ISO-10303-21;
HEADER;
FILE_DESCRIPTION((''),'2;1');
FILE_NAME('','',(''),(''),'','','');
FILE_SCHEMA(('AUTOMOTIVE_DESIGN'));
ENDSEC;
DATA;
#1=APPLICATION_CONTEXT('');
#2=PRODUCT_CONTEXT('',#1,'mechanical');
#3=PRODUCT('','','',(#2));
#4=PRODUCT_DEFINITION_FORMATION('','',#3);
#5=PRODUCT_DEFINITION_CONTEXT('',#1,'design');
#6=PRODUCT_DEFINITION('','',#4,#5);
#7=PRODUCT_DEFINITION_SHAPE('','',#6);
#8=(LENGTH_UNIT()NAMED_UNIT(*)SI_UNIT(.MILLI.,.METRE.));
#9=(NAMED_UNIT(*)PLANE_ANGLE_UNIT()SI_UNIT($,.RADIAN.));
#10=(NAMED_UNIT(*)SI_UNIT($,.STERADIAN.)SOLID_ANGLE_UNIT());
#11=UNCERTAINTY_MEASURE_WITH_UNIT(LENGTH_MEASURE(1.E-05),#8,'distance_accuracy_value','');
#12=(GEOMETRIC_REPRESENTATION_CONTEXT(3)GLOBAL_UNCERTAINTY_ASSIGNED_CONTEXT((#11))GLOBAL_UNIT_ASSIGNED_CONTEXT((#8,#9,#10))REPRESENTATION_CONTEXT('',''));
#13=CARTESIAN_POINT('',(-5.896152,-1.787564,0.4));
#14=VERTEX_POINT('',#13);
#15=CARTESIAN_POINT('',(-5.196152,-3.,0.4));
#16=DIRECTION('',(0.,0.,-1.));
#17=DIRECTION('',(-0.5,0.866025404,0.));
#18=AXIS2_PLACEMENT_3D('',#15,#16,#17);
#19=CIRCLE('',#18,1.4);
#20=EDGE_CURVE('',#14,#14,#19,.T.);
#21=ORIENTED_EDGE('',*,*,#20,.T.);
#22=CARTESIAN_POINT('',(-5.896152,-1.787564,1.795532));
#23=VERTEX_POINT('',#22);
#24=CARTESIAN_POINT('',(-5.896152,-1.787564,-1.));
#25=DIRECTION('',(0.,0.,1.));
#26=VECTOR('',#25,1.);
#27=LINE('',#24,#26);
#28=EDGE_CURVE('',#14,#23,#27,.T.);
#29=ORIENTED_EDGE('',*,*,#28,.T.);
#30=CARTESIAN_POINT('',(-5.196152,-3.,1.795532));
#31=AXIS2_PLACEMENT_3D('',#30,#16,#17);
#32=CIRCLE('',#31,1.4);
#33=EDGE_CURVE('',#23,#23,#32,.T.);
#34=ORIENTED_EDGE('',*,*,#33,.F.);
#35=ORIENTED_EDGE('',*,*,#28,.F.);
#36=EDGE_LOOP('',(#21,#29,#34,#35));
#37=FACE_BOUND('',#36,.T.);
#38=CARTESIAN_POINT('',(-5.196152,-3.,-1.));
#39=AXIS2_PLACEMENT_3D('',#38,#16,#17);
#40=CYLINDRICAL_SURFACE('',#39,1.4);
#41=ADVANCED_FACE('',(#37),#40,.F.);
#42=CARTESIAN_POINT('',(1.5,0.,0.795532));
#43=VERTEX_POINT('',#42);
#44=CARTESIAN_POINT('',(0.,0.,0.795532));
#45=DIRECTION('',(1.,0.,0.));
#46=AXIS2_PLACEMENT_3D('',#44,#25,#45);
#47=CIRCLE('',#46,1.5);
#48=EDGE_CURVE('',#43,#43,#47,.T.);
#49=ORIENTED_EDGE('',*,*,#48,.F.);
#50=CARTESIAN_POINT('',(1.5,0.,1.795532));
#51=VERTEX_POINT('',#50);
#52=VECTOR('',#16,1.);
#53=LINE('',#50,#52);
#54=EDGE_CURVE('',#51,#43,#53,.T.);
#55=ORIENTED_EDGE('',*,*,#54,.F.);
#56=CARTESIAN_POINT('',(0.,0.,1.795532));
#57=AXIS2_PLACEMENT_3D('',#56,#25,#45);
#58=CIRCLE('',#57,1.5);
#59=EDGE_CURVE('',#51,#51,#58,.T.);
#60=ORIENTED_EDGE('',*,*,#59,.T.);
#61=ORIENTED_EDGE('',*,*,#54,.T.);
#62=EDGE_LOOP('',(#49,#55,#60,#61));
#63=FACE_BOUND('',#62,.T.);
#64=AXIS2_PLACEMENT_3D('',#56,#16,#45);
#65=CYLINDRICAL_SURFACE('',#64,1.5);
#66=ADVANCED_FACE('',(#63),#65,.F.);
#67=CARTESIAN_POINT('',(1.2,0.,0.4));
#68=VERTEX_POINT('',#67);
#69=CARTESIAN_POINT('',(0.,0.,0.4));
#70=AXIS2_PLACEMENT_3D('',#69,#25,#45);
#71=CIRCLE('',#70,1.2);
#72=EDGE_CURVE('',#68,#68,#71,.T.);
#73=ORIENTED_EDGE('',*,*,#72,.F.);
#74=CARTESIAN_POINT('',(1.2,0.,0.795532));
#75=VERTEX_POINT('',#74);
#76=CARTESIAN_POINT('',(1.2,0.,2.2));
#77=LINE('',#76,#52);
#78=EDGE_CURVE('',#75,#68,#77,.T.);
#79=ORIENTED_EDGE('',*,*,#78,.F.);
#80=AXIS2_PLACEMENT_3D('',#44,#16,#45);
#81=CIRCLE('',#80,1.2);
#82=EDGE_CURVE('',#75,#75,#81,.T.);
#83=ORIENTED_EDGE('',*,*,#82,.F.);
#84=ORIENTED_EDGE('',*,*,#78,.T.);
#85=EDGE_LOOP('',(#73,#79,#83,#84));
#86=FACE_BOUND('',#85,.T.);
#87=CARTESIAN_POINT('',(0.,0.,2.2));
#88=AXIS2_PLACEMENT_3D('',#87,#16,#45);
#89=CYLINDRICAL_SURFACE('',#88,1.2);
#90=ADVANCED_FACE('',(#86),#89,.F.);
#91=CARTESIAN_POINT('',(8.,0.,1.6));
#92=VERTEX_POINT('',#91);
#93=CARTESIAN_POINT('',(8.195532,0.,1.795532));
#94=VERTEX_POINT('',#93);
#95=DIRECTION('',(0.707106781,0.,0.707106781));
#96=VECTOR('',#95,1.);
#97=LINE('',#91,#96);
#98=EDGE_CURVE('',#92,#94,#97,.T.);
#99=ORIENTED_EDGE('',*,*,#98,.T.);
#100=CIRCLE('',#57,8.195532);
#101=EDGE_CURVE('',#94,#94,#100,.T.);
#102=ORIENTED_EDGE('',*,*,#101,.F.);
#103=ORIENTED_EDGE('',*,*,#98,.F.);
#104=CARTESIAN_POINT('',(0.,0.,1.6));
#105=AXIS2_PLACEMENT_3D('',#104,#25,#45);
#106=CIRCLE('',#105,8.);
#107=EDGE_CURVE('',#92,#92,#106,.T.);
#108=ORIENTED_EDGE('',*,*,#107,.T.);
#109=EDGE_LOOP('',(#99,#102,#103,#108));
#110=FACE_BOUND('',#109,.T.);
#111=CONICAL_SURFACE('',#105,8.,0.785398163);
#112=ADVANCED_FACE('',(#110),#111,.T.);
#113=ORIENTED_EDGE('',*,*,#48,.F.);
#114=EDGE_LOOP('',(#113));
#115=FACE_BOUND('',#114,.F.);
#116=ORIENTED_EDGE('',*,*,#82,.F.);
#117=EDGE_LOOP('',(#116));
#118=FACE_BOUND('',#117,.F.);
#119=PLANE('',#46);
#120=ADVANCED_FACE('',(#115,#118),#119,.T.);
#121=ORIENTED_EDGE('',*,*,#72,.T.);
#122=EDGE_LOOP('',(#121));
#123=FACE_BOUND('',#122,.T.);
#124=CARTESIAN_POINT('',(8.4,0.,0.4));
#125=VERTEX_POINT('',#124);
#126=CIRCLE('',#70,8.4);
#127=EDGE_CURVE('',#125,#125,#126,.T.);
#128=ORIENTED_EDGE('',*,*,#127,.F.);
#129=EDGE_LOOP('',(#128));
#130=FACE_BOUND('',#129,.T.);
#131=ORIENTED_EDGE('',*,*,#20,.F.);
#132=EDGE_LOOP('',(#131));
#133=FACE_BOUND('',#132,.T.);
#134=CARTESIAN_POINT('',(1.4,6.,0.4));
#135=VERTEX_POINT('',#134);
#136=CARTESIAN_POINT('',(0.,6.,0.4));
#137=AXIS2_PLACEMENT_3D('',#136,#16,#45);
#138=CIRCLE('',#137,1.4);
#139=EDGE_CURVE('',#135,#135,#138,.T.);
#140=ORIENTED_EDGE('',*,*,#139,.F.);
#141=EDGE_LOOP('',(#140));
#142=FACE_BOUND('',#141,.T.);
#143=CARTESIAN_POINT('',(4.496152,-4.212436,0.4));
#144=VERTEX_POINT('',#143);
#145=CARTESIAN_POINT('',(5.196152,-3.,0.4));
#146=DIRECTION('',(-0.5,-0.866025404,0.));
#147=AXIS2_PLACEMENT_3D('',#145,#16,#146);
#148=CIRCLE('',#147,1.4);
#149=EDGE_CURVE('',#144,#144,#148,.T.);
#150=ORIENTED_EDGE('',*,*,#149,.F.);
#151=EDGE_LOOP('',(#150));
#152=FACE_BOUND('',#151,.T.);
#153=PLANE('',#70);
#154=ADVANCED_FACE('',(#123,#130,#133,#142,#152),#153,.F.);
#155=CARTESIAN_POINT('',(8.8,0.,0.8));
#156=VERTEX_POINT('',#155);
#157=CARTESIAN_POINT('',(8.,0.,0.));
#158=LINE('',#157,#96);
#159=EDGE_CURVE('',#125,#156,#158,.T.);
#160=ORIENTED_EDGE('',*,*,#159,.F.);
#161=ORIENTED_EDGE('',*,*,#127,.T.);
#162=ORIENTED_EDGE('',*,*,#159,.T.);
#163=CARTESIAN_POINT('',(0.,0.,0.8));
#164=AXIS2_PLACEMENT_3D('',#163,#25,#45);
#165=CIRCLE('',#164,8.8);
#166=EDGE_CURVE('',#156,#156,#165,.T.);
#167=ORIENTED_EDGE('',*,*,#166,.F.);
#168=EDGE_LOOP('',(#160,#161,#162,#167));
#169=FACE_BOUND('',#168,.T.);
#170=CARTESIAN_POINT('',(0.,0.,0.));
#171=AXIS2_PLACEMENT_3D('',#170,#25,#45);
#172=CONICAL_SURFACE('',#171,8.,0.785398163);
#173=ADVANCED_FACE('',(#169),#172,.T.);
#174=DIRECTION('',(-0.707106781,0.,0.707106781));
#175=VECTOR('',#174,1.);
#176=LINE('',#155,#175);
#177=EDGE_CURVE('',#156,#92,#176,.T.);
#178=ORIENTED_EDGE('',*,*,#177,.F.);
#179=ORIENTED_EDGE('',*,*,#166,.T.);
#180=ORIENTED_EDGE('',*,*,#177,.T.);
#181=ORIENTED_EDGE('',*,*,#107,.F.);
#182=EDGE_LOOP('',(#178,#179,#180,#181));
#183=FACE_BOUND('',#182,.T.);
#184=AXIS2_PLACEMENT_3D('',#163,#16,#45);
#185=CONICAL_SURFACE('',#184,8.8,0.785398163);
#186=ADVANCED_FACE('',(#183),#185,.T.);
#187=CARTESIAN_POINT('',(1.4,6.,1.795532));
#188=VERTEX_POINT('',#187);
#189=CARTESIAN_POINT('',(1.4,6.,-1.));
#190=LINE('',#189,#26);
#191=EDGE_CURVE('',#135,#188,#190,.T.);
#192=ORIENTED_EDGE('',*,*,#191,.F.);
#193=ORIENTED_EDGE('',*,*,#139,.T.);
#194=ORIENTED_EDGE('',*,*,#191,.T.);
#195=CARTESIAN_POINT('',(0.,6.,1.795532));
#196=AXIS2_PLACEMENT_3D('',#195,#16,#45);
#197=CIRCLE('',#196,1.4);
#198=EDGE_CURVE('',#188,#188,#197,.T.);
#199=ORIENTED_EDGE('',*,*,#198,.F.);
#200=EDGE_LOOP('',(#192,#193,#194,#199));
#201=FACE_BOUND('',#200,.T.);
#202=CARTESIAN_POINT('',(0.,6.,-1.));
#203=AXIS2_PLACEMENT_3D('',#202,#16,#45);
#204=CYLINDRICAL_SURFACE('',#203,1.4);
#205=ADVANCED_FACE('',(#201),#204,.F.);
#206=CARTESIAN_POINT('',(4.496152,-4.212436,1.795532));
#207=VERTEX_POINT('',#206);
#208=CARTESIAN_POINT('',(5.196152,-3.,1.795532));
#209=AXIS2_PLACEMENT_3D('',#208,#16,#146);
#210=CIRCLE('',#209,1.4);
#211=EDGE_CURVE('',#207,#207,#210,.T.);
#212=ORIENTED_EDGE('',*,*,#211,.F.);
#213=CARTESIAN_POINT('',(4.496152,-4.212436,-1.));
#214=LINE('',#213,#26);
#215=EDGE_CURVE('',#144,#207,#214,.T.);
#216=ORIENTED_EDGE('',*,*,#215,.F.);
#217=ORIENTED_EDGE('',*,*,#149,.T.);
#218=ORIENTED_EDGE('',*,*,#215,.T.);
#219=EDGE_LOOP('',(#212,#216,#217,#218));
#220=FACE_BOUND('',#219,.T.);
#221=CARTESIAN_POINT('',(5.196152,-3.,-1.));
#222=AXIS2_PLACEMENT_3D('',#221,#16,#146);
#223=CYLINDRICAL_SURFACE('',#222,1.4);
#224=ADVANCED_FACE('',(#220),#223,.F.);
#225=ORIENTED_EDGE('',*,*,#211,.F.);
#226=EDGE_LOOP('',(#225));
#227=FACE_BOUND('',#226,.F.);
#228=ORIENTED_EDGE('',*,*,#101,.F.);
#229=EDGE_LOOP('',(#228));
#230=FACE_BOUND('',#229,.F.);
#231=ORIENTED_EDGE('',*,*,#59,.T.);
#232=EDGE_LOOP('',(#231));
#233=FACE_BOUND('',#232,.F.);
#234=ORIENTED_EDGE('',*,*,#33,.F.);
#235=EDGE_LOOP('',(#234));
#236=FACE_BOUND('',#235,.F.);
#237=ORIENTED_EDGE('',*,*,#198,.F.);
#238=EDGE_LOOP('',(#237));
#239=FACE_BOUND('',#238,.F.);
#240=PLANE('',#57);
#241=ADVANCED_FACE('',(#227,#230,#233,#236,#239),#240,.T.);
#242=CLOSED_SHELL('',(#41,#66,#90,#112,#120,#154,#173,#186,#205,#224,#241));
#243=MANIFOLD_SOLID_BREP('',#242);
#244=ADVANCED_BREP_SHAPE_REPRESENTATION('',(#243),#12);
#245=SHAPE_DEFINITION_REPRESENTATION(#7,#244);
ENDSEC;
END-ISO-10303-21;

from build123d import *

# Parameters (mm, degrees)
CYLINDER_R     = 1.4
CYLINDER_DEPTH = 10
ARRAY001_COUNT = 3
SKETCH018_W    = 3.15
SKETCH018_H    = 2.3
SKETCH002_W    = 5
SKETCH002_H    = 6.8
ARRAY_Z_COUNT  = 6
ARRAY_Z_PITCH  = 1.6
SKETCH005_W    = 10
SKETCH005_H    = 2.2955317108


with BuildPart() as boltholes:
    # Cylinder → Cylinder (new body)
    with BuildSketch(Plane(origin=(0, 6, -1), x_dir=(1, 0, 0), z_dir=(0, 0, 1))):
        Circle(CYLINDER_R)
    extrude(amount=CYLINDER_DEPTH)

    # Array001: BoltHoles ×3 about axis
    array001_axis = Axis((0, 0, 0), (0, 0, 1))


with BuildPart() as boltholes_1:
    add(boltholes.part)
    for i in range(1, ARRAY001_COUNT):
        add(boltholes.part.rotate(array001_axis, i * 360 / ARRAY001_COUNT))


with BuildPart() as ps2long001:
    # Sketch018 → Revolution007 (revolve)
    with BuildSketch(Plane.XZ):
        with Locations((1.575, 5.7267413876)):
            Rectangle(SKETCH018_W, SKETCH018_H)
    revolve(axis=Axis((0, 0, 0), (0, 0, 1)))


with BuildPart() as clone_of_laq:
    # Sketch007 → Revolution006 (revolve)
    with BuildSketch(Plane.XZ):
        with BuildLine():
            ThreePointArc((1.5, 1.7955317108), (0.867020761, 2.4322916436), (0, 2.6655317108))
            Line((0, 2.6655317108), (0, 0.7955317108))
            Line((0, 0.7955317108), (1.5, 0.7955317108))
            Line((1.5, 1.7955317108), (1.5, 0.7955317108))
        make_face()
    revolve(axis=Axis((0, 0, 0), (0, 0, 1)))


with BuildPart() as innergroovedom001:
    # Sketch002 → Revolution002 (revolve)
    with BuildSketch(Plane.XZ):
        with Locations((7.5, 3.8)):
            Rectangle(SKETCH002_W, SKETCH002_H)
    revolve(axis=Axis((0, 0, 0), (0, 0, 1)))


with BuildPart() as innergroovetool:
    # Sketch001 → Revolution001 (revolve)
    with BuildSketch(Plane.XZ):
        Polygon((4, 8), (4, 6.4), (8, 6.4), (8.8, 7.2), (8, 8), align=None)
    revolve(axis=Axis((0, 0, 0), (0, 0, 1)))

    # Array Z: InnerGrooveTool ×6


with BuildPart() as innergroovetool_1:
    add(innergroovetool.part)
    with Locations(*[(0, 0, -i * ARRAY_Z_PITCH) for i in range(1, ARRAY_Z_COUNT)]):
        add(innergroovetool.part)

    # Common: intersect InnerGrooveDom001
    add(innergroovedom001.part, mode=Mode.INTERSECT)


with BuildPart() as clone_of_boltholes001:
    # Sketch → Revolution (revolve)
    with BuildSketch(Plane.XZ):
        Polygon((1.2, 0.4), (8, 0.4), (8, 7.2), (2.8, 7.2), (1.2, 2.2), align=None)
    revolve(axis=Axis((0, 0, 0), (0, 0, 1)))

    # Fusion001: union InnerGrooveTool
    add(innergroovetool_1.part)

    # Cut: cut Clone of LAQ
    add(clone_of_laq.part, mode=Mode.SUBTRACT)

    # Cut003: cut PS2Long001
    add(ps2long001.part, mode=Mode.SUBTRACT)

    # Cut001: cut BoltHoles
    add(boltholes_1.part, mode=Mode.SUBTRACT)


with BuildPart() as laq0202nlaq0617lower:
    # Sketch005 → Revolution004 (revolve)
    with BuildSketch(Plane.XZ):
        with Locations((5, 0.6477658554)):
            Rectangle(SKETCH005_W, SKETCH005_H)
    revolve(axis=Axis((0, 0, 0), (0, 0, 1)))

    # Common001: intersect Clone of BoltHoles001
    add(clone_of_boltholes001.part, mode=Mode.INTERSECT)


solid = laq0202nlaq0617lower.part
